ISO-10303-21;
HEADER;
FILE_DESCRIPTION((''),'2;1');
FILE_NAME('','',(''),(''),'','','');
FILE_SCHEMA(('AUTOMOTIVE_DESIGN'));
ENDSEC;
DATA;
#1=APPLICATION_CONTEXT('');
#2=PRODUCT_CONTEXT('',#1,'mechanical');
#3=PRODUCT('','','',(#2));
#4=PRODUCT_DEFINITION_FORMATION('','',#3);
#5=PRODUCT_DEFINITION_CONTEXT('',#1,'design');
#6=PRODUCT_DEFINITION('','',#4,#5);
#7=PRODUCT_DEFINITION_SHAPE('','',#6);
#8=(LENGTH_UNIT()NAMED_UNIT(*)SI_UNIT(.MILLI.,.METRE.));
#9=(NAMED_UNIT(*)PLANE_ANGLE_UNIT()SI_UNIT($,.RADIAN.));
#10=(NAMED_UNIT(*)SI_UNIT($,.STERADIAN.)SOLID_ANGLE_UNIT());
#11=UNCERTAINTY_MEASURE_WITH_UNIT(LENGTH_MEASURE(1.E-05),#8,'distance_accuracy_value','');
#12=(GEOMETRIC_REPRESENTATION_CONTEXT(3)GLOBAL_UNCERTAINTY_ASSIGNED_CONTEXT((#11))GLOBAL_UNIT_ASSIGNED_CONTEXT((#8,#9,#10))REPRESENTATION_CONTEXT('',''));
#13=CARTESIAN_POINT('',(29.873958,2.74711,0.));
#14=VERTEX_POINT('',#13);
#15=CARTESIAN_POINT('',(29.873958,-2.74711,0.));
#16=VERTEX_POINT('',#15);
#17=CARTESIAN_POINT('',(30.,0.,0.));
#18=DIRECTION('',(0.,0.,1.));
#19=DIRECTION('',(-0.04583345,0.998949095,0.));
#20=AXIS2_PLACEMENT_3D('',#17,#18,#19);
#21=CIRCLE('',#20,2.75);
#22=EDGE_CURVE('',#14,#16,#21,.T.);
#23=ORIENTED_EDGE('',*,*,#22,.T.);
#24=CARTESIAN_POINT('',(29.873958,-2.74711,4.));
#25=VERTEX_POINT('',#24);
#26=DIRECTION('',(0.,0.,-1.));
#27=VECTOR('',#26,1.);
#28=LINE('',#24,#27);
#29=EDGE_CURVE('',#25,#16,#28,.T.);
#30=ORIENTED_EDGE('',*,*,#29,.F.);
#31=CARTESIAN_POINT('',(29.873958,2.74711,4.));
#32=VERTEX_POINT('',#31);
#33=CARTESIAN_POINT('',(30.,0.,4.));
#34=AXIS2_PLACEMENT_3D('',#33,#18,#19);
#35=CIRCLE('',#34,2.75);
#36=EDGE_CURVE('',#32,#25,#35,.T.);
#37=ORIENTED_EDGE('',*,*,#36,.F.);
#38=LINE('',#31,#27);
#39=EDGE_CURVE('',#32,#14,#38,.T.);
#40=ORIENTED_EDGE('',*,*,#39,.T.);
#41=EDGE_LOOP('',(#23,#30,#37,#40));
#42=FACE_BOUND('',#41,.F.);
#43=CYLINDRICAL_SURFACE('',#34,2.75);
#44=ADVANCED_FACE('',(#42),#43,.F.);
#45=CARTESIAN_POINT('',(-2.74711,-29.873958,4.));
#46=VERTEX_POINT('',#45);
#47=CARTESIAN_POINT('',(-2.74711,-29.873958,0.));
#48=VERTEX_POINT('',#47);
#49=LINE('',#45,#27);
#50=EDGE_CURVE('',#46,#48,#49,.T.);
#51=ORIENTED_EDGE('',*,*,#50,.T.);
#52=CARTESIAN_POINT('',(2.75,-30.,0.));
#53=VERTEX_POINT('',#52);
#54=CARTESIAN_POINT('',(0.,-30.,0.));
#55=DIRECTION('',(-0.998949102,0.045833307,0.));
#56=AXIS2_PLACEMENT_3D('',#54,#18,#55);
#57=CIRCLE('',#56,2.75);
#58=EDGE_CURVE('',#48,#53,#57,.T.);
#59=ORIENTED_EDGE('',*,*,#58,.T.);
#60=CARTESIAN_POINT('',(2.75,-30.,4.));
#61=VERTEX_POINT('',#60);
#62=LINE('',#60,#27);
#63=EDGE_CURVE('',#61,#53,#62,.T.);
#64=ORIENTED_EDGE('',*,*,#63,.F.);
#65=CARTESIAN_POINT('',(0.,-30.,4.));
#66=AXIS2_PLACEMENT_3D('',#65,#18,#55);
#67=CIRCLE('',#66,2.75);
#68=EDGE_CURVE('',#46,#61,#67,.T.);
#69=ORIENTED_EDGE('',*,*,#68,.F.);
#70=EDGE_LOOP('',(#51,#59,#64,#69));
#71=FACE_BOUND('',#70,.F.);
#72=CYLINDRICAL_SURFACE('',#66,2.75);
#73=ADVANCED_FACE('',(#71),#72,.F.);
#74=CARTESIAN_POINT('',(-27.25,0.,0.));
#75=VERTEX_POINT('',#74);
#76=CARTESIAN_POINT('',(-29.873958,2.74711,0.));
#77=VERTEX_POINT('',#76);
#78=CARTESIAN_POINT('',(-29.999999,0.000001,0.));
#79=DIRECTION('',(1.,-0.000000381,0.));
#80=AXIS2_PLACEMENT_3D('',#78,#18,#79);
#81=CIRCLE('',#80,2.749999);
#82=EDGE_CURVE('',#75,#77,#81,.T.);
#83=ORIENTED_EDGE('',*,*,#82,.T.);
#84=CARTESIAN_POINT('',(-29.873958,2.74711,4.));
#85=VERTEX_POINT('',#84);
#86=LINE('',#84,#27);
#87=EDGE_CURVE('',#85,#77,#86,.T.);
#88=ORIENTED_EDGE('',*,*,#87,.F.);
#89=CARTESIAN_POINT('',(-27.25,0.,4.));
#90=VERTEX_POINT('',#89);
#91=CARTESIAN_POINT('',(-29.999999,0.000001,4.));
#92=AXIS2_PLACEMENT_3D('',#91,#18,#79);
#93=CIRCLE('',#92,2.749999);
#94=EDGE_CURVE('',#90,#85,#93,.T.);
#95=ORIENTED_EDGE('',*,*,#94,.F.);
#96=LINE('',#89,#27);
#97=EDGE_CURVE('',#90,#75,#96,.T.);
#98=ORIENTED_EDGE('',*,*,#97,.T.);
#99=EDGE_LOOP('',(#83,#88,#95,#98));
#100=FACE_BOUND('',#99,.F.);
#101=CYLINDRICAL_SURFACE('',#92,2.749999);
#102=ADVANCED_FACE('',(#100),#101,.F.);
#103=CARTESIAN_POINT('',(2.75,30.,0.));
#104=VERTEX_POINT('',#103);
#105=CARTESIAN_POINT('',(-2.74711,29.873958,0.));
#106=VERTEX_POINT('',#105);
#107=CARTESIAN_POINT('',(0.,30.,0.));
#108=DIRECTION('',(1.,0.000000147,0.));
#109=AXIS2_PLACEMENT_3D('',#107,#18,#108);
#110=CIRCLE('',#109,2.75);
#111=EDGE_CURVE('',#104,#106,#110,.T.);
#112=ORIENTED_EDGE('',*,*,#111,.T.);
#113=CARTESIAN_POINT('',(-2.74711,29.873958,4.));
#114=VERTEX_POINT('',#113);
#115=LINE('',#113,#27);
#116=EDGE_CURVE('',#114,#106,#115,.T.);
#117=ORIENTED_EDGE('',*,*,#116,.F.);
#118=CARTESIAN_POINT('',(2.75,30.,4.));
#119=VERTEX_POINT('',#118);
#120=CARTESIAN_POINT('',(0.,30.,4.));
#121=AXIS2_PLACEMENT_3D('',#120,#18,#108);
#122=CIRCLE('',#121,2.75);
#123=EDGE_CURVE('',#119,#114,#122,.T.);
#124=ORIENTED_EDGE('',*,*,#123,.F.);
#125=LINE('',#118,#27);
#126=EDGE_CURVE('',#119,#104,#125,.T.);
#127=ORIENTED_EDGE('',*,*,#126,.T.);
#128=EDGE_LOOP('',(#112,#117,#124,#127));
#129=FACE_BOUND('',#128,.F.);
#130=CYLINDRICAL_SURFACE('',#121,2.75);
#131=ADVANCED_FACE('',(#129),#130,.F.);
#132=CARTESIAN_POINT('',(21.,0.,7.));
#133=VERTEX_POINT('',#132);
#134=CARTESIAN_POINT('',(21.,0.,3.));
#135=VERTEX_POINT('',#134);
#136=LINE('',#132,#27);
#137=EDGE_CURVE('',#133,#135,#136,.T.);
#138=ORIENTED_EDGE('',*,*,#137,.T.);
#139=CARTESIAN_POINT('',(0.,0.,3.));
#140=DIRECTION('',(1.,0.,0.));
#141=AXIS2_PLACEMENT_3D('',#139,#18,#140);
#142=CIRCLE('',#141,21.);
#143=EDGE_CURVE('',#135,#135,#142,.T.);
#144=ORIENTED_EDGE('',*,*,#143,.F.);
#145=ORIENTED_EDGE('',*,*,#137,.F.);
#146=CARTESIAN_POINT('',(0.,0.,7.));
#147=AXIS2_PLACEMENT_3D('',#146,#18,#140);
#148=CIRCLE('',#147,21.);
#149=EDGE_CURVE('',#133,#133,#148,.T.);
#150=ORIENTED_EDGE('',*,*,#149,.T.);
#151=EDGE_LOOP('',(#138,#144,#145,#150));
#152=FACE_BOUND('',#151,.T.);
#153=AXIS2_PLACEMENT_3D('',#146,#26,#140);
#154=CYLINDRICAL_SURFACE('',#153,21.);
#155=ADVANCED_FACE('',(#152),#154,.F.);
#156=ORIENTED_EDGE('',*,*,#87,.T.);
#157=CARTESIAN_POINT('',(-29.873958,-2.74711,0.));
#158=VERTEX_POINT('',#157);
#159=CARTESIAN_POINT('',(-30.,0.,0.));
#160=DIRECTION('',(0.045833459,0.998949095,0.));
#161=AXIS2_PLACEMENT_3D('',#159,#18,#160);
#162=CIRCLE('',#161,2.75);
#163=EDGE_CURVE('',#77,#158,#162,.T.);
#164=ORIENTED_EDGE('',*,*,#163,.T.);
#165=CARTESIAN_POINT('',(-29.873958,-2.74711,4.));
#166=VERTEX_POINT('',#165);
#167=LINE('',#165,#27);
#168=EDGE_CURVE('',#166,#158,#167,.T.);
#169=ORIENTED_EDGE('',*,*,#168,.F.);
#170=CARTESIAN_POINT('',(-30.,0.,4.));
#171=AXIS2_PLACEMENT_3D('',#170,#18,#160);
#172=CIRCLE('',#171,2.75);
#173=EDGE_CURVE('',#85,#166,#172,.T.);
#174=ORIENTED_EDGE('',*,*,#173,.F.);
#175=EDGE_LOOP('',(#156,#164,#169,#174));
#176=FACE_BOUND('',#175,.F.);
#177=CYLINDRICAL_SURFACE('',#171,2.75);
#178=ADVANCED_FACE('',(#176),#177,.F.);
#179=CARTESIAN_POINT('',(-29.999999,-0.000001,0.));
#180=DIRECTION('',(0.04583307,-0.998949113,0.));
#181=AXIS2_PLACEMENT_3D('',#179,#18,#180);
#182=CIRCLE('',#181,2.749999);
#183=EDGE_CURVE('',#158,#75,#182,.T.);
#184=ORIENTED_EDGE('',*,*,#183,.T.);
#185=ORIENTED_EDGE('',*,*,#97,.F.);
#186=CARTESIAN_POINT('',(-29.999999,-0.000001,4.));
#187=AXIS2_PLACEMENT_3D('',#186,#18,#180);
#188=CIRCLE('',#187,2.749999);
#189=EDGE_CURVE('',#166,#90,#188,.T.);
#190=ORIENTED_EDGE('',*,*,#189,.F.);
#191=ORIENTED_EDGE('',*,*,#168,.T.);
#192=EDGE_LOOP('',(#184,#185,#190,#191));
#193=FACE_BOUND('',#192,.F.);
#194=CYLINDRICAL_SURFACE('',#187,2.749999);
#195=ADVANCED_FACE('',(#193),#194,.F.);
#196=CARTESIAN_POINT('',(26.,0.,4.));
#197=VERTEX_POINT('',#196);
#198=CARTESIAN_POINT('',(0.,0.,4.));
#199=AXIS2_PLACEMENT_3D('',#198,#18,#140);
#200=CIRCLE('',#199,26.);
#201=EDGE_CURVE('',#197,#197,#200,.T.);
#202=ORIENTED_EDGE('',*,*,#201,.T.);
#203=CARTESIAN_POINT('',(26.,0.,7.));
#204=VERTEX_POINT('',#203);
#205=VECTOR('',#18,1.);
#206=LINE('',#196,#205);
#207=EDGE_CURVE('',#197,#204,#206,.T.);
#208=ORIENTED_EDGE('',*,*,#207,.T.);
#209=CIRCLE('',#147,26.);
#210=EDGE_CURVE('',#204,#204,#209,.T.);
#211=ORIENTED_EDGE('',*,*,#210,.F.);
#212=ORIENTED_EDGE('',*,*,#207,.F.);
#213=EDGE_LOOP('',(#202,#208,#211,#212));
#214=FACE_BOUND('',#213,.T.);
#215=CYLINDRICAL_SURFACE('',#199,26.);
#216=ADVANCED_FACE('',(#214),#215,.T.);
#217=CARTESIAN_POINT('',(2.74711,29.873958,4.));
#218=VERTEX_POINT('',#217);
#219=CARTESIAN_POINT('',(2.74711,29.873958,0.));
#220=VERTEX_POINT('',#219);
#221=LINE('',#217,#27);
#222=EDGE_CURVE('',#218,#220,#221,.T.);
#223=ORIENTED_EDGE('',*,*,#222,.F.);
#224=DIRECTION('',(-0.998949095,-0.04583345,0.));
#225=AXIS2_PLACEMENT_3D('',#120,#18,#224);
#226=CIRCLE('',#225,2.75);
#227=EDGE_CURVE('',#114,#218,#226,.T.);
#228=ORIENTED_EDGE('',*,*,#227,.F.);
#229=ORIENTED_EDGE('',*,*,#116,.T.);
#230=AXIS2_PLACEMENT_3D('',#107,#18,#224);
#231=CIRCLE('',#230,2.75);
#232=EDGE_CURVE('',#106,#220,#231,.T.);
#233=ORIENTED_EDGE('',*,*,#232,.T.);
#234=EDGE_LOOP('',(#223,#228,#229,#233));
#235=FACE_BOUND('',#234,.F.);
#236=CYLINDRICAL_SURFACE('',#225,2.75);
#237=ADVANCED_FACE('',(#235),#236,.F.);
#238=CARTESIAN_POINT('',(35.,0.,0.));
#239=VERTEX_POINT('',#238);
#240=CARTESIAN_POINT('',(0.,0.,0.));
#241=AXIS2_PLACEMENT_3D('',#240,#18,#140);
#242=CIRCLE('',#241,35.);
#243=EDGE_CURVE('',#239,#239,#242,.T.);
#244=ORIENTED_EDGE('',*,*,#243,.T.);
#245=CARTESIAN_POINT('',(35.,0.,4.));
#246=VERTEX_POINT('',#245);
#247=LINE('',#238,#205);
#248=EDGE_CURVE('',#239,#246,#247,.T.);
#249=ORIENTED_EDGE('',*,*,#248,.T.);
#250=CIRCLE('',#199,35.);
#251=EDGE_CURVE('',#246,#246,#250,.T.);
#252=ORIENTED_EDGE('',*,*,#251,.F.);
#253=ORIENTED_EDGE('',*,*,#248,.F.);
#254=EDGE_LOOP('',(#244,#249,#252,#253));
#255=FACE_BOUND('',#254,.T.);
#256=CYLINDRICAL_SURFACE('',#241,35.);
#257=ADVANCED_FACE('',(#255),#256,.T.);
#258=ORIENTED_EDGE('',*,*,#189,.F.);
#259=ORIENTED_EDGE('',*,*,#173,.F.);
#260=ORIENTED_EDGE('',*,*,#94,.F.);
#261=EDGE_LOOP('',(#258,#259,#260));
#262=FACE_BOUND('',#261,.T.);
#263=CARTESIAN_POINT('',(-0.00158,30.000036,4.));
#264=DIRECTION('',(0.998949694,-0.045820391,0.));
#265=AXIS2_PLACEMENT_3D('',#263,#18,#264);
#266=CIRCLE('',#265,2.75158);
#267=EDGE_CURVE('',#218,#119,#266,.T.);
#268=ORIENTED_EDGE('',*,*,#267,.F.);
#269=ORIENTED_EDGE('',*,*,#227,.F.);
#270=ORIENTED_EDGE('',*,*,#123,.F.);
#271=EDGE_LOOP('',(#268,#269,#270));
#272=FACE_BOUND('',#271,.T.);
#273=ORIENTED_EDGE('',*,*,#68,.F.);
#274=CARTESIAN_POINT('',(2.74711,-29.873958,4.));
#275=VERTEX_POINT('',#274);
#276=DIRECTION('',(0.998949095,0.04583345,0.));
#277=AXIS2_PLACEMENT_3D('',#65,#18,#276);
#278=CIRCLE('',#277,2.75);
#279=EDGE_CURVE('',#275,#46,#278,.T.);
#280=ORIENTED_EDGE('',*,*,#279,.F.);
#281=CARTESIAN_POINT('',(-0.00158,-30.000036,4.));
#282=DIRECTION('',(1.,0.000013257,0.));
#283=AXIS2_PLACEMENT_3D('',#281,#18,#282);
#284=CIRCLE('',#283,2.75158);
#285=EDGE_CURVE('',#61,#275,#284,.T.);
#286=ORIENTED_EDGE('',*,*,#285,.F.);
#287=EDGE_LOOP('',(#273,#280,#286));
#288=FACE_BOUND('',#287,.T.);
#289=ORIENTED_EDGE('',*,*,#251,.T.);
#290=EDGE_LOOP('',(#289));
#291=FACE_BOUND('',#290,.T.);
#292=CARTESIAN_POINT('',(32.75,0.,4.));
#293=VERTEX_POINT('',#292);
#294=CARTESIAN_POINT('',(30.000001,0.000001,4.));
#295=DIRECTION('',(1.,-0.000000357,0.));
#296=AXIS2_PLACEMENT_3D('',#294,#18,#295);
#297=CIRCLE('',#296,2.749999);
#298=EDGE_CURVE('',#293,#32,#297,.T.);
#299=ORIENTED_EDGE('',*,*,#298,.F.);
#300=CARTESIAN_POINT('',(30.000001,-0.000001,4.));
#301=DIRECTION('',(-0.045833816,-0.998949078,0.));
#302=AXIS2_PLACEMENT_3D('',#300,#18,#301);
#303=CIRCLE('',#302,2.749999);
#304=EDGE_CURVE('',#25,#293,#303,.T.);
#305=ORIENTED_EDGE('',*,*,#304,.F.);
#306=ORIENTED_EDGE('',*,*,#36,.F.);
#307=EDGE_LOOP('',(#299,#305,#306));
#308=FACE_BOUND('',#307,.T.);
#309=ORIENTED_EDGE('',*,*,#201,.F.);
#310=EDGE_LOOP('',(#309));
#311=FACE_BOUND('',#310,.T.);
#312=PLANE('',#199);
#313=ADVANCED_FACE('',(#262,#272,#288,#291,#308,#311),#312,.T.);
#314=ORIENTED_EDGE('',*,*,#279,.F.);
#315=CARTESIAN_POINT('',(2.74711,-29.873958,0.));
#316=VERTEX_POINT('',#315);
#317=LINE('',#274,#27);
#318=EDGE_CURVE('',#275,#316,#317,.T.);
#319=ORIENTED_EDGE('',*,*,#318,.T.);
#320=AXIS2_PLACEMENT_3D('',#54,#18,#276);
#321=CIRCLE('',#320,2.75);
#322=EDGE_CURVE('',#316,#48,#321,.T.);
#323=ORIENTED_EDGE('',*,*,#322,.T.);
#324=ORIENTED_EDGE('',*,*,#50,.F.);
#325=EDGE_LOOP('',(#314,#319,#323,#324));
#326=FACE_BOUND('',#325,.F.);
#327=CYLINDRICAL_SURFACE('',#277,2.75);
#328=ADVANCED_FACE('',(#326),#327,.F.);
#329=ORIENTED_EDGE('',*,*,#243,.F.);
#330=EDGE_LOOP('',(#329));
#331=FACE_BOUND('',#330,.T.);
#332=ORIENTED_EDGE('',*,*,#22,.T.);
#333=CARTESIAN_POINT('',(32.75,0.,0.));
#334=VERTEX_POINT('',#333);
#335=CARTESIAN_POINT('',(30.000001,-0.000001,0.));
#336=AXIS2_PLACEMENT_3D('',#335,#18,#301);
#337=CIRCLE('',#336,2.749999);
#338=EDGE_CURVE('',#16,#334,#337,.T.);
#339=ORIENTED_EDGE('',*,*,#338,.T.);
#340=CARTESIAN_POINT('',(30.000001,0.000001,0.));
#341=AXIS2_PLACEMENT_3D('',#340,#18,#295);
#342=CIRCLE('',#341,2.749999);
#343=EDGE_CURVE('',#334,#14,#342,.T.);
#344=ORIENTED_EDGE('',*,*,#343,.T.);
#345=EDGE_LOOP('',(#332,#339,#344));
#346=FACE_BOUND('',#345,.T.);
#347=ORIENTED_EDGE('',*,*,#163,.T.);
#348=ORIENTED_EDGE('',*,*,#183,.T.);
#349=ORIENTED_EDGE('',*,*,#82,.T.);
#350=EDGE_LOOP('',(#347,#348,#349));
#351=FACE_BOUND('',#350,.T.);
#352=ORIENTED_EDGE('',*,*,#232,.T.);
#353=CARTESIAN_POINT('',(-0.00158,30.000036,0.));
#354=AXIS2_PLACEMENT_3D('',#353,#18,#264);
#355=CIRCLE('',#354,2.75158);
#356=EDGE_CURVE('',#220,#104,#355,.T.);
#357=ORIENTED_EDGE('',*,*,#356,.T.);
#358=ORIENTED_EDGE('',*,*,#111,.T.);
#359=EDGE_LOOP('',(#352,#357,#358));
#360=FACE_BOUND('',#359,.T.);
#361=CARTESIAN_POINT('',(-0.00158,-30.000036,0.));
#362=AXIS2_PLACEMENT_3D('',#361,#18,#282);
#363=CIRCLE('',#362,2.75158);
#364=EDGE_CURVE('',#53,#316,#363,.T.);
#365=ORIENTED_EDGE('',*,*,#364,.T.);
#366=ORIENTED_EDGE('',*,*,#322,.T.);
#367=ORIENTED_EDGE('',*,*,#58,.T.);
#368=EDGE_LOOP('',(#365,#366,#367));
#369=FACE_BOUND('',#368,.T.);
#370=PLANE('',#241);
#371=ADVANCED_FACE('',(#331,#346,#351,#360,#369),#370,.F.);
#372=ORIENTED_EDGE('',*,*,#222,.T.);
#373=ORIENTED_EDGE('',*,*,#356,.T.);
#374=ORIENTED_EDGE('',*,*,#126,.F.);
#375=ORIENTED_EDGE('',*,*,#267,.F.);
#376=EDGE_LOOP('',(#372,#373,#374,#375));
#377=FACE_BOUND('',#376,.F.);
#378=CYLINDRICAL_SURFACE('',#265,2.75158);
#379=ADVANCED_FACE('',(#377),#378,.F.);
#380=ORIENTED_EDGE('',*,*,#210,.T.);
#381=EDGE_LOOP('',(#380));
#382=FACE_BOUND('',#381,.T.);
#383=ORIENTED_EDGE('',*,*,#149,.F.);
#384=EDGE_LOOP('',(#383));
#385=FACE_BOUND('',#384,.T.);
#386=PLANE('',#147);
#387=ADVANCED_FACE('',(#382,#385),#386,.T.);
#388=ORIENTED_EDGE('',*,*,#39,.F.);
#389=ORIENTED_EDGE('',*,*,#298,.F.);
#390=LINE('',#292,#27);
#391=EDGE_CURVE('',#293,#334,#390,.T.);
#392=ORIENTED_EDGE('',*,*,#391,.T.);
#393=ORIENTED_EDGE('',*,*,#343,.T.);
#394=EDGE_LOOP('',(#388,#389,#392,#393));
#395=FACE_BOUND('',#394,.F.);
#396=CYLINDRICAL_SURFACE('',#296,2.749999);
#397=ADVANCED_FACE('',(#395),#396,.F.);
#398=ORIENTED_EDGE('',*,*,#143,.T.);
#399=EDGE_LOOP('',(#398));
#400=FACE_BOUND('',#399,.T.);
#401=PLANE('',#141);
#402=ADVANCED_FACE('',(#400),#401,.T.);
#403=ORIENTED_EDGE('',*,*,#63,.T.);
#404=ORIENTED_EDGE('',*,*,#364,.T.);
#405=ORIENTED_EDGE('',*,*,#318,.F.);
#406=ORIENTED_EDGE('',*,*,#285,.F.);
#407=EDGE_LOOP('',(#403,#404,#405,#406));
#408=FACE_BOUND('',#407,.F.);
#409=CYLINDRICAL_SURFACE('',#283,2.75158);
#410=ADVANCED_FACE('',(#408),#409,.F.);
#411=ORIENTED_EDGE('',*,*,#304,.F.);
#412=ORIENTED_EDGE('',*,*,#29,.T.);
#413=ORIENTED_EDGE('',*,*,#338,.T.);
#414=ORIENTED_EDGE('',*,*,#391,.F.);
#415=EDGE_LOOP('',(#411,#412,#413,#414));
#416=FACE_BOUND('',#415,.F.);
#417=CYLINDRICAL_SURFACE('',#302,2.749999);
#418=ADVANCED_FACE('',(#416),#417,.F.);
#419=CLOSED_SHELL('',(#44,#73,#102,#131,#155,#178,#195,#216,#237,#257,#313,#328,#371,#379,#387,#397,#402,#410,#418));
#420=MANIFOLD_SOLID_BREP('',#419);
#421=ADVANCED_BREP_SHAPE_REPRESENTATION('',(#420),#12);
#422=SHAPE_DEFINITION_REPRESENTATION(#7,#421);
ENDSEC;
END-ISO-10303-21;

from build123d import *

# Parameters (mm, degrees)
F3_DEPTH = 4


with BuildPart() as f1:
    # F0 (on Front) → F1 (revolve)
    with BuildSketch(Plane.XZ):
        Polygon((0, 3), (0, 0), (35, 0), (35, 4), (26, 4), (26, 7), (21, 7), (21, 3), align=None)
    revolve(axis=Axis((0, 0, 21.586414), (0, 0, 1)))

    # F2 (on face) → F3 (cut)
    with BuildSketch(Plane.XY.offset(4)):
        with BuildLine():
            ThreePointArc((2.75, 30), (-0.063037, 32.749277), (-2.74711, 29.873958))
            ThreePointArc((-2.74711, 29.873958), (0, 27.25), (2.74711, 29.873958))
            ThreePointArc((2.74711, 29.873958), (2.749277, 29.936963), (2.75, 30))
        make_face()
        with BuildLine():
            ThreePointArc((-27.25, 0), (-28.011393, 1.899459), (-29.873958, 2.74711))
            ThreePointArc((-29.873958, 2.74711), (-32.75, 0), (-29.873958, -2.74711))
            ThreePointArc((-29.873958, -2.74711), (-28.011393, -1.899459), (-27.25, 0))
        make_face()
        with BuildLine():
            ThreePointArc((2.74711, -29.873958), (0, -27.25), (-2.74711, -29.873958))
            ThreePointArc((-2.74711, -29.873958), (-0.063037, -32.749277), (2.75, -30))
            ThreePointArc((2.75, -30), (2.749277, -29.936963), (2.74711, -29.873958))
        make_face()
        with BuildLine():
            ThreePointArc((32.75, 0), (31.899459, 1.988607), (29.873958, 2.74711))
            ThreePointArc((29.873958, 2.74711), (27.25, 0), (29.873958, -2.74711))
            ThreePointArc((29.873958, -2.74711), (31.899459, -1.988607), (32.75, 0))
        make_face()
    extrude(amount=-F3_DEPTH, mode=Mode.SUBTRACT)


solid = f1.part
